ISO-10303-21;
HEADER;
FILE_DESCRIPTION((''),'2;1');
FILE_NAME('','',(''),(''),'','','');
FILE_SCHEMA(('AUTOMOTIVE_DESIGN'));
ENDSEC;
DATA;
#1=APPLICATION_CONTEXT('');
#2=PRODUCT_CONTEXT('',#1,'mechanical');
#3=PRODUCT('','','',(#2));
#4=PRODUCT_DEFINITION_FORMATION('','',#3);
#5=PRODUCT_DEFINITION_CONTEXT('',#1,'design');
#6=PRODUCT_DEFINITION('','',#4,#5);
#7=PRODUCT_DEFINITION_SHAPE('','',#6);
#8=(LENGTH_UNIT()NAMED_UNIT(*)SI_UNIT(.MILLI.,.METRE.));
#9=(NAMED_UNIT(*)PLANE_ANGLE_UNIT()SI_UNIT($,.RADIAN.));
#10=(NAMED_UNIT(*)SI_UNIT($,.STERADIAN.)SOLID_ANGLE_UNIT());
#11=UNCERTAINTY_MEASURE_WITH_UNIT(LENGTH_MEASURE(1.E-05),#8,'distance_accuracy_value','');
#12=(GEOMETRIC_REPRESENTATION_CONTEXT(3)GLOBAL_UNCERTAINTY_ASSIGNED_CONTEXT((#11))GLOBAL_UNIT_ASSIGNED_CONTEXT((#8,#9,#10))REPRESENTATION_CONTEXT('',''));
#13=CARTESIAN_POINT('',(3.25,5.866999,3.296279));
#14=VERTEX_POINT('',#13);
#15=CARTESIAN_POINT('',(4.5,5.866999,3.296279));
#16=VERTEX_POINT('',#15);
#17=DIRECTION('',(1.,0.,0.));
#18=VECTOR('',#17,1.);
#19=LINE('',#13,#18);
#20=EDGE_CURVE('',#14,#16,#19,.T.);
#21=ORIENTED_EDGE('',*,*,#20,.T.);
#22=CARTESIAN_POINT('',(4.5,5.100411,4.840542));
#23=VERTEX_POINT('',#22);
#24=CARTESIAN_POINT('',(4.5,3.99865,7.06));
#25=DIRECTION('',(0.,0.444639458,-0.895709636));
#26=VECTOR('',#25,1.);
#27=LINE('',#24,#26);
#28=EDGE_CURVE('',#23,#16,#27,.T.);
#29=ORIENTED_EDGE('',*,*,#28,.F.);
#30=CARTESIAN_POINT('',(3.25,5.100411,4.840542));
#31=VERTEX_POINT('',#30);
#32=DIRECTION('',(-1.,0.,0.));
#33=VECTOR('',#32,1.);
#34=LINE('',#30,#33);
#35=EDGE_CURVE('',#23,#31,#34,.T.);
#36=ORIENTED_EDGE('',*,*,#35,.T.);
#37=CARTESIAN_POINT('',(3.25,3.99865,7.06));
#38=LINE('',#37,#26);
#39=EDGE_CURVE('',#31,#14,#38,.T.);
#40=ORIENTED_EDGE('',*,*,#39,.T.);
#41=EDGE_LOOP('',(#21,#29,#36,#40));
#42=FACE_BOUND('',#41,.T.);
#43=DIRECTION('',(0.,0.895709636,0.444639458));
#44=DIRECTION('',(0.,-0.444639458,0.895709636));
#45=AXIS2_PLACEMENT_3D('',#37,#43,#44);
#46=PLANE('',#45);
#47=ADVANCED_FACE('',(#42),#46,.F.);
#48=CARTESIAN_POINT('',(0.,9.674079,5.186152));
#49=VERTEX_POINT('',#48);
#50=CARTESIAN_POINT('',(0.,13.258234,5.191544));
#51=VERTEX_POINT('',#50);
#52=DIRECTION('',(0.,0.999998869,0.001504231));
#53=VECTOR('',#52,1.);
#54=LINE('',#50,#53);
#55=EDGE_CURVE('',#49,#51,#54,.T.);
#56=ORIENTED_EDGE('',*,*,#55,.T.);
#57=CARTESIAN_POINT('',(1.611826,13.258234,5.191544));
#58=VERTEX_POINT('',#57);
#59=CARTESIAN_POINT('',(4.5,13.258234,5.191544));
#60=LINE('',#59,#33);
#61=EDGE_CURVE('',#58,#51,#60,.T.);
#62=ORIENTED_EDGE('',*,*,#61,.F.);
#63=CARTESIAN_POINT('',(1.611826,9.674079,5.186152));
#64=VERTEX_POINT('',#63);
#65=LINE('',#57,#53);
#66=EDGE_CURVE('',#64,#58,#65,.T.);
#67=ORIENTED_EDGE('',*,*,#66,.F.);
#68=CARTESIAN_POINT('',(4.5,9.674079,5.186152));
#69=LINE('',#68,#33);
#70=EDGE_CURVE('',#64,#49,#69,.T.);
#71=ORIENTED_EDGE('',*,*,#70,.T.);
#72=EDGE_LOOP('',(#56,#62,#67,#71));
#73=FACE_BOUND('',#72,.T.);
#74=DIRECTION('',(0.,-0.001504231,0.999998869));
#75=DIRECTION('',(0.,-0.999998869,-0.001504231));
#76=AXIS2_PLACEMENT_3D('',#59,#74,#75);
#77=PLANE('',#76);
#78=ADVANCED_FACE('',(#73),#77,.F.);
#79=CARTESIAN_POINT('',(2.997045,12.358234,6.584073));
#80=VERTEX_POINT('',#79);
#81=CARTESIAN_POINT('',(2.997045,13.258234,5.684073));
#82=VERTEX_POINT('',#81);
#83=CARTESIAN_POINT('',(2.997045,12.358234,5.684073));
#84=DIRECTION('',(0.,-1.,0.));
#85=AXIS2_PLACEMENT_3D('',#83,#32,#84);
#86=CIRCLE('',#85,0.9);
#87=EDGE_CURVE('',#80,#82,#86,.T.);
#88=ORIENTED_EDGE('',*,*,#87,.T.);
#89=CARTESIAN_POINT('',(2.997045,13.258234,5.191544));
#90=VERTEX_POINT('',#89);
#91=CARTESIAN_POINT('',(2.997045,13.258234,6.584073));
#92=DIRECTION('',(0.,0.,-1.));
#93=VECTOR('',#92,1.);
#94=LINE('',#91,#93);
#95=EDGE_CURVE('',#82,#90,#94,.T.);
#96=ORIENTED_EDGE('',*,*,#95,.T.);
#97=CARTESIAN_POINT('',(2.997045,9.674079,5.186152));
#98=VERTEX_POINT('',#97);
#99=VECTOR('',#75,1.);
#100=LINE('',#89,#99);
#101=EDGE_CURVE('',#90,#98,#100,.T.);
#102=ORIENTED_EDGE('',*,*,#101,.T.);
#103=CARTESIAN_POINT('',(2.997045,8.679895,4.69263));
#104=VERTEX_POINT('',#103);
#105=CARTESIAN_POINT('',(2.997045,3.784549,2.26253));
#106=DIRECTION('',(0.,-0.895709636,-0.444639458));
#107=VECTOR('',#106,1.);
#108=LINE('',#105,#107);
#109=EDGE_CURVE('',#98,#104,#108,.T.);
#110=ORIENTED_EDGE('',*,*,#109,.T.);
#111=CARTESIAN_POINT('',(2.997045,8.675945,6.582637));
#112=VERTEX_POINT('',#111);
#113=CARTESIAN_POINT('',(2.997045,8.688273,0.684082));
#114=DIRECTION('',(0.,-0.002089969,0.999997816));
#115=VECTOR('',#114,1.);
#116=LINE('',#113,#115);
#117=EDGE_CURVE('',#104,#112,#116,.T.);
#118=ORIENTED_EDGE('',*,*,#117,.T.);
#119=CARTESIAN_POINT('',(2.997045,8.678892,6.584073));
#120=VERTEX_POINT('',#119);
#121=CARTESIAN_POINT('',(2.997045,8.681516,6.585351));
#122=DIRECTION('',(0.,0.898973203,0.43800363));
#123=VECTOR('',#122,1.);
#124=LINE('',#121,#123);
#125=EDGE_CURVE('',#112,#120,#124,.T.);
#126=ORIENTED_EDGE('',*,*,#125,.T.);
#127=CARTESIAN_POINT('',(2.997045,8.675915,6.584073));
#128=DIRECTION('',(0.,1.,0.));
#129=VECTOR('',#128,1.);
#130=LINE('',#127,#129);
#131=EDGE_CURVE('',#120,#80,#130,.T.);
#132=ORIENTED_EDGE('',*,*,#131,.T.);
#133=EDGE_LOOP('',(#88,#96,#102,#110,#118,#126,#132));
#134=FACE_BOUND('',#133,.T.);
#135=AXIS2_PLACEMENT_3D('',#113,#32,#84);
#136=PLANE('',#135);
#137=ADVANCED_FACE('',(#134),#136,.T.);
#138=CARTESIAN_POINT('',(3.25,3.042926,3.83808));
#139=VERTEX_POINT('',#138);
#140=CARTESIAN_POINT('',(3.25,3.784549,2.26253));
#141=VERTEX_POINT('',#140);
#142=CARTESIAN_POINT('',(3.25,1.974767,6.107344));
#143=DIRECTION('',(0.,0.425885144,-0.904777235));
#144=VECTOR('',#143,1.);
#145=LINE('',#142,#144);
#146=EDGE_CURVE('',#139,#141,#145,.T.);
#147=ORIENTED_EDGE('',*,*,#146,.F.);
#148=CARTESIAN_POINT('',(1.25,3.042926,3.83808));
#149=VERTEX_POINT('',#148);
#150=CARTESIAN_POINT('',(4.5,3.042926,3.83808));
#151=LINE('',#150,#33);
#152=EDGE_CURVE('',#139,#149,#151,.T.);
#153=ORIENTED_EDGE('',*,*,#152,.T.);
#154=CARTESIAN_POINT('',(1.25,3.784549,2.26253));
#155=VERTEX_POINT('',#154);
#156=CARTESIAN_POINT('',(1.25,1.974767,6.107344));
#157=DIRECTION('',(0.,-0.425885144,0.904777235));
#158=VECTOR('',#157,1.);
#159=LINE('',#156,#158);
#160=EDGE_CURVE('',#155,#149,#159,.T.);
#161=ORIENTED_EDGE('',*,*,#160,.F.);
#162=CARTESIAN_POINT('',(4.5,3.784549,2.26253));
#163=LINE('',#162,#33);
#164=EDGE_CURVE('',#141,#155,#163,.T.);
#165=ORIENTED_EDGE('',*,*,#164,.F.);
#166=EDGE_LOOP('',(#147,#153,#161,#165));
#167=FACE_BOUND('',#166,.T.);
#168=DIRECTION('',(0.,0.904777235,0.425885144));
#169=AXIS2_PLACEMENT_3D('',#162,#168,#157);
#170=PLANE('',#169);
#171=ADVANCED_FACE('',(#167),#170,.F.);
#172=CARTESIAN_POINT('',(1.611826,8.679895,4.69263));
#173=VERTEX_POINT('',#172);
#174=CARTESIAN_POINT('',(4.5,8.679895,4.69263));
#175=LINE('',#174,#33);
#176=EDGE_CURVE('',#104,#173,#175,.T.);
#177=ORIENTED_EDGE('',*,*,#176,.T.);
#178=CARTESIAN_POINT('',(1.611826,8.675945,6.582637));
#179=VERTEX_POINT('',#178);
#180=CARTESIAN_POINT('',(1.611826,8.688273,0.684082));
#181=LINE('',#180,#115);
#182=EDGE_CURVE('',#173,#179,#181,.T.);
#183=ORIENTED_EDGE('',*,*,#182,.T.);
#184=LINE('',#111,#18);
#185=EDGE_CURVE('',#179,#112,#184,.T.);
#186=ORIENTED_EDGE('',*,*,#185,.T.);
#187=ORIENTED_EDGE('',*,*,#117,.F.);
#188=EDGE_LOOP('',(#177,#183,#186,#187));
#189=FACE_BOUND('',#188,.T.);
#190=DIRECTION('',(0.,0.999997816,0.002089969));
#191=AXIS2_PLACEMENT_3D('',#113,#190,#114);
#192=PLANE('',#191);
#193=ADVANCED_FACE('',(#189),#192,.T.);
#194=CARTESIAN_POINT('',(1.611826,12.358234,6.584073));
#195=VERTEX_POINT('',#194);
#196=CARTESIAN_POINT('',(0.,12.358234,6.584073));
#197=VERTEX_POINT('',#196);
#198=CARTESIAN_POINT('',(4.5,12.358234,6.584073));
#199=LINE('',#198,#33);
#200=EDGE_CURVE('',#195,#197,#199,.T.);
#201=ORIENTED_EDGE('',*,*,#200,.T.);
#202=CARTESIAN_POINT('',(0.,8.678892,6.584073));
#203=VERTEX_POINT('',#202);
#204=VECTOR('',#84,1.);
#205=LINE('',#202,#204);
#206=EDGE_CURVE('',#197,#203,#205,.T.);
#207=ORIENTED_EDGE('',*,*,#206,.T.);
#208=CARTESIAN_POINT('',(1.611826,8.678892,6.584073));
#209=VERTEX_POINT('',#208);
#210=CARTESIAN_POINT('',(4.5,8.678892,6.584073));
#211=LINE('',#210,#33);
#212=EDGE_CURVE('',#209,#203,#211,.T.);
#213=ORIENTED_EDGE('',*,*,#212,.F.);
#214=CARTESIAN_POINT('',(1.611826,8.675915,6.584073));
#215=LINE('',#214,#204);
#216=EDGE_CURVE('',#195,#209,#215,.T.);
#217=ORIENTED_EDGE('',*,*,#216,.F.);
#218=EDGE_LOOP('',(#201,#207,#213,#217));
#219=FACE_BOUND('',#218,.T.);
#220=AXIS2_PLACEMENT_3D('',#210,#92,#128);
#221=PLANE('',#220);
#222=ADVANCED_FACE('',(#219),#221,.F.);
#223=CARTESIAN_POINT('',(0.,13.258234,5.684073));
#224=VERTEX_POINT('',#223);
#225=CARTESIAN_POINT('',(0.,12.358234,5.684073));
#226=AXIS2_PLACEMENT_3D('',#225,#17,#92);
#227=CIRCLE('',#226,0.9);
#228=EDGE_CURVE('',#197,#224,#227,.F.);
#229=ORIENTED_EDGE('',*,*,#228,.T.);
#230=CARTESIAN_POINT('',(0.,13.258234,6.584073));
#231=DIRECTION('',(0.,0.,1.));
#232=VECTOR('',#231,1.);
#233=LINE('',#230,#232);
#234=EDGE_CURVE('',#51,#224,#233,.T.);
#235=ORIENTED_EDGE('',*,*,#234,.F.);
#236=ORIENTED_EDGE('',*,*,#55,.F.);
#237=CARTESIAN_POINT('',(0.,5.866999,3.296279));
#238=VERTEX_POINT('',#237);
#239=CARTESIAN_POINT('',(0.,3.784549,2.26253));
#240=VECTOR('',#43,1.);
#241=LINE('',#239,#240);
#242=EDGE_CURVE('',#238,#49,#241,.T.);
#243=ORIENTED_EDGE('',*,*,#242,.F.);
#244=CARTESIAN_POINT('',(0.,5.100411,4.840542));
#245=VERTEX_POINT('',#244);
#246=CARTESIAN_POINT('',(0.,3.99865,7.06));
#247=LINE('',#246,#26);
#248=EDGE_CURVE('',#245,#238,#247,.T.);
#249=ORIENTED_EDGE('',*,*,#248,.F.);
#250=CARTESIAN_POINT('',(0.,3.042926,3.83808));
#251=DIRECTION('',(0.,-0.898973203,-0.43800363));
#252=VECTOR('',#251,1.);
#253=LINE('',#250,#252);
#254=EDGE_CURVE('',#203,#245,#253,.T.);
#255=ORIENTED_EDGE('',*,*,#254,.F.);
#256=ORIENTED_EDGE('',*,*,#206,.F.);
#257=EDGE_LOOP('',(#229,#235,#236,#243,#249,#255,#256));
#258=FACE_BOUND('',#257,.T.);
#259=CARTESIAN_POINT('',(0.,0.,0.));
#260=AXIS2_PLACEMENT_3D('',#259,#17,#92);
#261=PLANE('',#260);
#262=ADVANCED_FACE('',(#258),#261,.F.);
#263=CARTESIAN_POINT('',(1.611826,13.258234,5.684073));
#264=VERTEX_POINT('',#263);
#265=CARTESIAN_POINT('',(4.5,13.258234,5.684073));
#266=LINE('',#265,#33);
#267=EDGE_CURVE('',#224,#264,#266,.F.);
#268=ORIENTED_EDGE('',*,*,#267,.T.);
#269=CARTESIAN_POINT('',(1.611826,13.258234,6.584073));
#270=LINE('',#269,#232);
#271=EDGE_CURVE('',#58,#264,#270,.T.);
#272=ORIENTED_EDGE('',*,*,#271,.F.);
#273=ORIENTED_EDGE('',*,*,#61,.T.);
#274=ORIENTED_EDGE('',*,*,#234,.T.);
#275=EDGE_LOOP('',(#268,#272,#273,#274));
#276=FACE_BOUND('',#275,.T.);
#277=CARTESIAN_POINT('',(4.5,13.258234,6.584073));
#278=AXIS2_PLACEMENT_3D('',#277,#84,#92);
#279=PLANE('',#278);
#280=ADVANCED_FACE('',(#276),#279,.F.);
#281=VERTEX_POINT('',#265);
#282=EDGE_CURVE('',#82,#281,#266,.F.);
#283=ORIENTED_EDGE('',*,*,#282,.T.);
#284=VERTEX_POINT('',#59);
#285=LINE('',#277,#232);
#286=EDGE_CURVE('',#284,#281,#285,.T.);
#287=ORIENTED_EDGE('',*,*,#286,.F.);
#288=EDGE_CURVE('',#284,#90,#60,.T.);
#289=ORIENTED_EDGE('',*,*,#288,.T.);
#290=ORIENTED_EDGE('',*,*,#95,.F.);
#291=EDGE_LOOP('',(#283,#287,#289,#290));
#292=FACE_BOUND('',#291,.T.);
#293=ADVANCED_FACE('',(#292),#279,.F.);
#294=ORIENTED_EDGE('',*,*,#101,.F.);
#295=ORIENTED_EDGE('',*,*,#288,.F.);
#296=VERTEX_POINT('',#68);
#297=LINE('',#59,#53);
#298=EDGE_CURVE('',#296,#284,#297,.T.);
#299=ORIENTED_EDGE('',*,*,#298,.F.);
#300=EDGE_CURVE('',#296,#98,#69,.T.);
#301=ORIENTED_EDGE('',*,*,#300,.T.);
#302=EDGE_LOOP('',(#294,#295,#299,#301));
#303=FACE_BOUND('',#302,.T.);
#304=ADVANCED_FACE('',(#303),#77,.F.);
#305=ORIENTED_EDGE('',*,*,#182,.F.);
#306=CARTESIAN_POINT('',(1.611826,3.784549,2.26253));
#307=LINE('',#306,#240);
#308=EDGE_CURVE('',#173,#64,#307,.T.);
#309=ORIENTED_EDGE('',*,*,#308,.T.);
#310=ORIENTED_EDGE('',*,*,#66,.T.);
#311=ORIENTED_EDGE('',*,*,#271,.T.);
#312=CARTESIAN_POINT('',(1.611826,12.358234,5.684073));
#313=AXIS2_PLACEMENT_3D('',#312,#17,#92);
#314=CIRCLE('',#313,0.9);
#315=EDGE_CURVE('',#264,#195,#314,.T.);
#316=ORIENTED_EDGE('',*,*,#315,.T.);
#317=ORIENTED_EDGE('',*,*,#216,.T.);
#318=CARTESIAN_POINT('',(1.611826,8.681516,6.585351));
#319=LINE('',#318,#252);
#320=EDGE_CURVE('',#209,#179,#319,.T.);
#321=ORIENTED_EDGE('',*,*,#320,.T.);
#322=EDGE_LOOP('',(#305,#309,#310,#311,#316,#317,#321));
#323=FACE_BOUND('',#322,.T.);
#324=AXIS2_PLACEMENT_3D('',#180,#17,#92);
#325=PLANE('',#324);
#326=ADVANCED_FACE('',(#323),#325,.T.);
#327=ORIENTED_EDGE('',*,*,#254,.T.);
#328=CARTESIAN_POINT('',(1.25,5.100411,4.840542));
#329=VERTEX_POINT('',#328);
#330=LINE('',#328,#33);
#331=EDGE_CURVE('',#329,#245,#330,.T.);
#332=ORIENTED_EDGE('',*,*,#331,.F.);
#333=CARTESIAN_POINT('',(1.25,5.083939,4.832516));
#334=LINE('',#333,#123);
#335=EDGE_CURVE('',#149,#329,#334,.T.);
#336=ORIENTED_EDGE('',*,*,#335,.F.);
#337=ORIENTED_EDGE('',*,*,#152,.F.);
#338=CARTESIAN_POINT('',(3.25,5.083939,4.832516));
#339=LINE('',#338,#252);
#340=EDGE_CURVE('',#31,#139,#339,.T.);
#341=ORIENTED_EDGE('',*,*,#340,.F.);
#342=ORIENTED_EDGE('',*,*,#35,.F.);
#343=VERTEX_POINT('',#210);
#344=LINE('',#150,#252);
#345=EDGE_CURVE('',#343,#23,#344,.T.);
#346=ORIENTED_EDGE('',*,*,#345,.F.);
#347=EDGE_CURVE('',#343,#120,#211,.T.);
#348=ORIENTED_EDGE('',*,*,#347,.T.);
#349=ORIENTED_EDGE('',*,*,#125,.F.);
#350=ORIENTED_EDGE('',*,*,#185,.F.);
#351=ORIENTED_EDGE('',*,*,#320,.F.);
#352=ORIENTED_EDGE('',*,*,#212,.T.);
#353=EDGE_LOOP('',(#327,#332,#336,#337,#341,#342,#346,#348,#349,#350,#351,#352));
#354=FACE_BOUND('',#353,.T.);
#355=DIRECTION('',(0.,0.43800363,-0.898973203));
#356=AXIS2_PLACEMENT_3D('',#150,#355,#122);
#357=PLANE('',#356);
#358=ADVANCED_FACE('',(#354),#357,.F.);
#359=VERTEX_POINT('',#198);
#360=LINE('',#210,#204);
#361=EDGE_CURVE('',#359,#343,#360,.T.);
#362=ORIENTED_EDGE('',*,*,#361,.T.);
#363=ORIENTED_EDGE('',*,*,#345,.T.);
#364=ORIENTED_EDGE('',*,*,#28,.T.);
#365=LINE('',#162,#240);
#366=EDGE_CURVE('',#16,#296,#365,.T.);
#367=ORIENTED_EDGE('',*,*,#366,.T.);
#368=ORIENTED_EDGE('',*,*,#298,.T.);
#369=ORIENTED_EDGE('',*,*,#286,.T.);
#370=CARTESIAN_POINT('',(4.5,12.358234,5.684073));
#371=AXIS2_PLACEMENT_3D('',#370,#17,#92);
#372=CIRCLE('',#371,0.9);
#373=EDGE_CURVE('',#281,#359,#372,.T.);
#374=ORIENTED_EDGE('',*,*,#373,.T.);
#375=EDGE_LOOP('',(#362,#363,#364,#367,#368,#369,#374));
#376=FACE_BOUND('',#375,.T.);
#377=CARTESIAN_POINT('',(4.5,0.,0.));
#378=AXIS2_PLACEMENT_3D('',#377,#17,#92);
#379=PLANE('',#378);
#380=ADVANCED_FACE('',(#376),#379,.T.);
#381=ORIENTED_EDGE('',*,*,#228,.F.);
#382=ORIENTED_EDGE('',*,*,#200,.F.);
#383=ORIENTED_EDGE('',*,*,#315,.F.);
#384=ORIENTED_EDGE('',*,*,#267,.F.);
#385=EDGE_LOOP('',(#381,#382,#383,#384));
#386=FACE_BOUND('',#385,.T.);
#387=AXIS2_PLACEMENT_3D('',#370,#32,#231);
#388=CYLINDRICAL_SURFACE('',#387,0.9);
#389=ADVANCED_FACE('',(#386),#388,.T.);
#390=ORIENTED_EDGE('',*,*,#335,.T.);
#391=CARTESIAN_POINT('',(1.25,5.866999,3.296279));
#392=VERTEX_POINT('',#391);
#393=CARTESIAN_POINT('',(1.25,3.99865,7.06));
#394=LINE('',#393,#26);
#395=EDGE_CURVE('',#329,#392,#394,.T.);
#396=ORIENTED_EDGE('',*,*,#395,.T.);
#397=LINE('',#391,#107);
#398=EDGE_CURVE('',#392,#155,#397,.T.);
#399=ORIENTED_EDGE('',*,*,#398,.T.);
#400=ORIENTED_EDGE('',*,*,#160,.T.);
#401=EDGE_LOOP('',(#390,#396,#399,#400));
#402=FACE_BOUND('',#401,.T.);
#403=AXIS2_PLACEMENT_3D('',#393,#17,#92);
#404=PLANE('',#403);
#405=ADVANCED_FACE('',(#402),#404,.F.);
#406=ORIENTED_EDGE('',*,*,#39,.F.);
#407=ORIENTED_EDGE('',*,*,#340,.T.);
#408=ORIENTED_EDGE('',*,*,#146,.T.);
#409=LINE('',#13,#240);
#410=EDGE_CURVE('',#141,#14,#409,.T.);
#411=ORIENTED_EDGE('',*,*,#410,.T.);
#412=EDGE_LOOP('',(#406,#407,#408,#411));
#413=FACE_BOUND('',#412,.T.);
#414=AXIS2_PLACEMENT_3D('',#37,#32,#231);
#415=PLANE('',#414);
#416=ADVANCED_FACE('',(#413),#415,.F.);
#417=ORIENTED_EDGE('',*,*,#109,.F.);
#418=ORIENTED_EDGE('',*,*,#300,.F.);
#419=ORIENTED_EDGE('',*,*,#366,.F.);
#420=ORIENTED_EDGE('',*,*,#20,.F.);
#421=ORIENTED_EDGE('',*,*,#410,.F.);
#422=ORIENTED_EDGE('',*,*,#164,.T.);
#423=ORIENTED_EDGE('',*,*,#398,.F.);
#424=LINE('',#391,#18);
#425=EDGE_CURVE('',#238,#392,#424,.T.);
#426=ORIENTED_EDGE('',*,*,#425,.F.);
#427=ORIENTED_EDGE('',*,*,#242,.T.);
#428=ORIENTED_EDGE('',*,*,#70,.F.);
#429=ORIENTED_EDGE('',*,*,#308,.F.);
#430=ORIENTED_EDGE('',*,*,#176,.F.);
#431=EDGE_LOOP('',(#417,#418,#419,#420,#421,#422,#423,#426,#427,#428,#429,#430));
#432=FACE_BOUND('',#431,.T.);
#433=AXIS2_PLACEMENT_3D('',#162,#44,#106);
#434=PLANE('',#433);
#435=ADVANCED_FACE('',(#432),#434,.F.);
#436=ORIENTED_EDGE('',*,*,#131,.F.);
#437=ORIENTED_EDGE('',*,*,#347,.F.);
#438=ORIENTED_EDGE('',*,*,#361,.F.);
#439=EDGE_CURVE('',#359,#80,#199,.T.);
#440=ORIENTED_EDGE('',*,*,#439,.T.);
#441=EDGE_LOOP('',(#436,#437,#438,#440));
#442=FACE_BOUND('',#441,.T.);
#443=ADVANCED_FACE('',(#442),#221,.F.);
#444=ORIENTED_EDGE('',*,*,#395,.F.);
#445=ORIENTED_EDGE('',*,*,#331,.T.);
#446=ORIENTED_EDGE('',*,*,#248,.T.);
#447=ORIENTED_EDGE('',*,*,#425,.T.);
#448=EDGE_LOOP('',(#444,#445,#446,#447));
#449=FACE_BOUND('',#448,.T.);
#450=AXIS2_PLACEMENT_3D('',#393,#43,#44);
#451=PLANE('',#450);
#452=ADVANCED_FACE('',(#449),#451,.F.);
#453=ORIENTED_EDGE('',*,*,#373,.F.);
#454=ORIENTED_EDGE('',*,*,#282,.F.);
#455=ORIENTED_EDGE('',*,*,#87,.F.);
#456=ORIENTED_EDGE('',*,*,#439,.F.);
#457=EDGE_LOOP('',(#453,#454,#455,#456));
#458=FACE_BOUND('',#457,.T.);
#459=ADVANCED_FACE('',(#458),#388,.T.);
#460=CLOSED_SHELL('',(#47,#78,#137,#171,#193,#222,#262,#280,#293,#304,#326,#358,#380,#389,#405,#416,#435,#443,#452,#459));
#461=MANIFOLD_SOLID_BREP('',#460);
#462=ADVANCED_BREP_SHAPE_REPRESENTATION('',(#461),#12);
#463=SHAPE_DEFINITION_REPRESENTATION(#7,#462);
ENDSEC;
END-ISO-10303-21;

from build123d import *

# Parameters (mm, degrees)
BOSS_EXTRUDE1_DEPTH            = 4.5
CUT_EXTRUDE1_REACH             = 3.412
SKETCH4_W                      = 1.385219638
SKETCH4_H                      = 4.6
CUT_EXTRUDE1_DIRECTION_2_DEPTH = 4.5
FILLET1_R                      = 0.9
CUT_EXTRUDE3_REACH             = 6.201
SKETCH9_W                      = 1.25
SKETCH9_H                      = 2.324916291


with BuildPart() as part:
    # Sketch3 → Boss-Extrude1 (new body)
    with BuildSketch(Plane(origin=(0, 0, 0), x_dir=(0, 0, -1), z_dir=(1, 0, 0))):
        Polygon((-5.191543854, 13.25823412), (-5.18615245, 9.674078564), (-2.262529631, 3.784549229), (-3.838080431, 3.04292615), (-6.584072535, 8.678891581), (-6.584072535, 13.25823412), align=None)
    extrude(amount=BOSS_EXTRUDE1_DEPTH)

    # Sketch4 → Cut-Extrude1 (cut, up to next)
    with BuildSketch(Plane(origin=(0, -0.010796619, 5.165911314), x_dir=(-1, 0, 0), z_dir=(0, 0.002089969, -0.999997816)), mode=Mode.PRIVATE) as cut_extrude1_sk1:
        with Locations((-2.304435674, 10.989683529)):
            Rectangle(SKETCH4_W, SKETCH4_H)
    cut_extrude1_tool1 = extrude(cut_extrude1_sk1.sketch, amount=-CUT_EXTRUDE1_REACH, mode=Mode.PRIVATE) & part.part
    add(cut_extrude1_tool1.solids().sort_by_distance((2.304436, 10.978863, 5.188879))[0], mode=Mode.SUBTRACT)

    # Sketch4 → Cut-Extrude1 direction 2 (cut)
    with BuildSketch(Plane(origin=(0, -0.010796619, 5.165911314), x_dir=(-1, 0, 0), z_dir=(0, 0.002089969, -0.999997816))):
        with Locations((-2.304435674, 10.989683529)):
            Rectangle(SKETCH4_W, SKETCH4_H)
    extrude(amount=CUT_EXTRUDE1_DIRECTION_2_DEPTH, mode=Mode.SUBTRACT)

    # Fillet1
    fillet1_edges = [part.edges().sort_by_distance(p)[0] for p in [
        (3.748522747, 13.25823412, 6.584072535),
        (0.805912927, 13.25823412, 6.584072535),
    ]]
    fillet(fillet1_edges, radius=FILLET1_R)

    # Sketch9 → Cut-Extrude3 (cut, up to next)
    with BuildSketch(Plane(origin=(0, -0.152871347, 0.307953638), x_dir=(-1, 0, 0), z_dir=(0, 0.444639458, -0.895709636)), mode=Mode.PRIVATE) as cut_extrude3_sk1:
        with Locations((-0.625, 5.558325308)):
            Rectangle(SKETCH9_W, SKETCH9_H)
    cut_extrude3_tool1 = extrude(cut_extrude3_sk1.sketch, amount=-CUT_EXTRUDE3_REACH, mode=Mode.PRIVATE) & part.part
    add(cut_extrude3_tool1.solids().sort_by_distance((0.625, 4.825774, 2.779404))[0], mode=Mode.SUBTRACT)
    # Sketch9 → Cut-Extrude3 (cut, up to next)
    with BuildSketch(Plane(origin=(0, -0.152871347, 0.307953638), x_dir=(-1, 0, 0), z_dir=(0, 0.444639458, -0.895709636)), mode=Mode.PRIVATE) as cut_extrude3_sk2:
        with Locations((-3.875, 5.558325308)):
            Rectangle(SKETCH9_W, SKETCH9_H)
    cut_extrude3_tool2 = extrude(cut_extrude3_sk2.sketch, amount=-CUT_EXTRUDE3_REACH, mode=Mode.PRIVATE) & part.part
    add(cut_extrude3_tool2.solids().sort_by_distance((3.875, 4.825774, 2.779404))[0], mode=Mode.SUBTRACT)


solid = part.part
